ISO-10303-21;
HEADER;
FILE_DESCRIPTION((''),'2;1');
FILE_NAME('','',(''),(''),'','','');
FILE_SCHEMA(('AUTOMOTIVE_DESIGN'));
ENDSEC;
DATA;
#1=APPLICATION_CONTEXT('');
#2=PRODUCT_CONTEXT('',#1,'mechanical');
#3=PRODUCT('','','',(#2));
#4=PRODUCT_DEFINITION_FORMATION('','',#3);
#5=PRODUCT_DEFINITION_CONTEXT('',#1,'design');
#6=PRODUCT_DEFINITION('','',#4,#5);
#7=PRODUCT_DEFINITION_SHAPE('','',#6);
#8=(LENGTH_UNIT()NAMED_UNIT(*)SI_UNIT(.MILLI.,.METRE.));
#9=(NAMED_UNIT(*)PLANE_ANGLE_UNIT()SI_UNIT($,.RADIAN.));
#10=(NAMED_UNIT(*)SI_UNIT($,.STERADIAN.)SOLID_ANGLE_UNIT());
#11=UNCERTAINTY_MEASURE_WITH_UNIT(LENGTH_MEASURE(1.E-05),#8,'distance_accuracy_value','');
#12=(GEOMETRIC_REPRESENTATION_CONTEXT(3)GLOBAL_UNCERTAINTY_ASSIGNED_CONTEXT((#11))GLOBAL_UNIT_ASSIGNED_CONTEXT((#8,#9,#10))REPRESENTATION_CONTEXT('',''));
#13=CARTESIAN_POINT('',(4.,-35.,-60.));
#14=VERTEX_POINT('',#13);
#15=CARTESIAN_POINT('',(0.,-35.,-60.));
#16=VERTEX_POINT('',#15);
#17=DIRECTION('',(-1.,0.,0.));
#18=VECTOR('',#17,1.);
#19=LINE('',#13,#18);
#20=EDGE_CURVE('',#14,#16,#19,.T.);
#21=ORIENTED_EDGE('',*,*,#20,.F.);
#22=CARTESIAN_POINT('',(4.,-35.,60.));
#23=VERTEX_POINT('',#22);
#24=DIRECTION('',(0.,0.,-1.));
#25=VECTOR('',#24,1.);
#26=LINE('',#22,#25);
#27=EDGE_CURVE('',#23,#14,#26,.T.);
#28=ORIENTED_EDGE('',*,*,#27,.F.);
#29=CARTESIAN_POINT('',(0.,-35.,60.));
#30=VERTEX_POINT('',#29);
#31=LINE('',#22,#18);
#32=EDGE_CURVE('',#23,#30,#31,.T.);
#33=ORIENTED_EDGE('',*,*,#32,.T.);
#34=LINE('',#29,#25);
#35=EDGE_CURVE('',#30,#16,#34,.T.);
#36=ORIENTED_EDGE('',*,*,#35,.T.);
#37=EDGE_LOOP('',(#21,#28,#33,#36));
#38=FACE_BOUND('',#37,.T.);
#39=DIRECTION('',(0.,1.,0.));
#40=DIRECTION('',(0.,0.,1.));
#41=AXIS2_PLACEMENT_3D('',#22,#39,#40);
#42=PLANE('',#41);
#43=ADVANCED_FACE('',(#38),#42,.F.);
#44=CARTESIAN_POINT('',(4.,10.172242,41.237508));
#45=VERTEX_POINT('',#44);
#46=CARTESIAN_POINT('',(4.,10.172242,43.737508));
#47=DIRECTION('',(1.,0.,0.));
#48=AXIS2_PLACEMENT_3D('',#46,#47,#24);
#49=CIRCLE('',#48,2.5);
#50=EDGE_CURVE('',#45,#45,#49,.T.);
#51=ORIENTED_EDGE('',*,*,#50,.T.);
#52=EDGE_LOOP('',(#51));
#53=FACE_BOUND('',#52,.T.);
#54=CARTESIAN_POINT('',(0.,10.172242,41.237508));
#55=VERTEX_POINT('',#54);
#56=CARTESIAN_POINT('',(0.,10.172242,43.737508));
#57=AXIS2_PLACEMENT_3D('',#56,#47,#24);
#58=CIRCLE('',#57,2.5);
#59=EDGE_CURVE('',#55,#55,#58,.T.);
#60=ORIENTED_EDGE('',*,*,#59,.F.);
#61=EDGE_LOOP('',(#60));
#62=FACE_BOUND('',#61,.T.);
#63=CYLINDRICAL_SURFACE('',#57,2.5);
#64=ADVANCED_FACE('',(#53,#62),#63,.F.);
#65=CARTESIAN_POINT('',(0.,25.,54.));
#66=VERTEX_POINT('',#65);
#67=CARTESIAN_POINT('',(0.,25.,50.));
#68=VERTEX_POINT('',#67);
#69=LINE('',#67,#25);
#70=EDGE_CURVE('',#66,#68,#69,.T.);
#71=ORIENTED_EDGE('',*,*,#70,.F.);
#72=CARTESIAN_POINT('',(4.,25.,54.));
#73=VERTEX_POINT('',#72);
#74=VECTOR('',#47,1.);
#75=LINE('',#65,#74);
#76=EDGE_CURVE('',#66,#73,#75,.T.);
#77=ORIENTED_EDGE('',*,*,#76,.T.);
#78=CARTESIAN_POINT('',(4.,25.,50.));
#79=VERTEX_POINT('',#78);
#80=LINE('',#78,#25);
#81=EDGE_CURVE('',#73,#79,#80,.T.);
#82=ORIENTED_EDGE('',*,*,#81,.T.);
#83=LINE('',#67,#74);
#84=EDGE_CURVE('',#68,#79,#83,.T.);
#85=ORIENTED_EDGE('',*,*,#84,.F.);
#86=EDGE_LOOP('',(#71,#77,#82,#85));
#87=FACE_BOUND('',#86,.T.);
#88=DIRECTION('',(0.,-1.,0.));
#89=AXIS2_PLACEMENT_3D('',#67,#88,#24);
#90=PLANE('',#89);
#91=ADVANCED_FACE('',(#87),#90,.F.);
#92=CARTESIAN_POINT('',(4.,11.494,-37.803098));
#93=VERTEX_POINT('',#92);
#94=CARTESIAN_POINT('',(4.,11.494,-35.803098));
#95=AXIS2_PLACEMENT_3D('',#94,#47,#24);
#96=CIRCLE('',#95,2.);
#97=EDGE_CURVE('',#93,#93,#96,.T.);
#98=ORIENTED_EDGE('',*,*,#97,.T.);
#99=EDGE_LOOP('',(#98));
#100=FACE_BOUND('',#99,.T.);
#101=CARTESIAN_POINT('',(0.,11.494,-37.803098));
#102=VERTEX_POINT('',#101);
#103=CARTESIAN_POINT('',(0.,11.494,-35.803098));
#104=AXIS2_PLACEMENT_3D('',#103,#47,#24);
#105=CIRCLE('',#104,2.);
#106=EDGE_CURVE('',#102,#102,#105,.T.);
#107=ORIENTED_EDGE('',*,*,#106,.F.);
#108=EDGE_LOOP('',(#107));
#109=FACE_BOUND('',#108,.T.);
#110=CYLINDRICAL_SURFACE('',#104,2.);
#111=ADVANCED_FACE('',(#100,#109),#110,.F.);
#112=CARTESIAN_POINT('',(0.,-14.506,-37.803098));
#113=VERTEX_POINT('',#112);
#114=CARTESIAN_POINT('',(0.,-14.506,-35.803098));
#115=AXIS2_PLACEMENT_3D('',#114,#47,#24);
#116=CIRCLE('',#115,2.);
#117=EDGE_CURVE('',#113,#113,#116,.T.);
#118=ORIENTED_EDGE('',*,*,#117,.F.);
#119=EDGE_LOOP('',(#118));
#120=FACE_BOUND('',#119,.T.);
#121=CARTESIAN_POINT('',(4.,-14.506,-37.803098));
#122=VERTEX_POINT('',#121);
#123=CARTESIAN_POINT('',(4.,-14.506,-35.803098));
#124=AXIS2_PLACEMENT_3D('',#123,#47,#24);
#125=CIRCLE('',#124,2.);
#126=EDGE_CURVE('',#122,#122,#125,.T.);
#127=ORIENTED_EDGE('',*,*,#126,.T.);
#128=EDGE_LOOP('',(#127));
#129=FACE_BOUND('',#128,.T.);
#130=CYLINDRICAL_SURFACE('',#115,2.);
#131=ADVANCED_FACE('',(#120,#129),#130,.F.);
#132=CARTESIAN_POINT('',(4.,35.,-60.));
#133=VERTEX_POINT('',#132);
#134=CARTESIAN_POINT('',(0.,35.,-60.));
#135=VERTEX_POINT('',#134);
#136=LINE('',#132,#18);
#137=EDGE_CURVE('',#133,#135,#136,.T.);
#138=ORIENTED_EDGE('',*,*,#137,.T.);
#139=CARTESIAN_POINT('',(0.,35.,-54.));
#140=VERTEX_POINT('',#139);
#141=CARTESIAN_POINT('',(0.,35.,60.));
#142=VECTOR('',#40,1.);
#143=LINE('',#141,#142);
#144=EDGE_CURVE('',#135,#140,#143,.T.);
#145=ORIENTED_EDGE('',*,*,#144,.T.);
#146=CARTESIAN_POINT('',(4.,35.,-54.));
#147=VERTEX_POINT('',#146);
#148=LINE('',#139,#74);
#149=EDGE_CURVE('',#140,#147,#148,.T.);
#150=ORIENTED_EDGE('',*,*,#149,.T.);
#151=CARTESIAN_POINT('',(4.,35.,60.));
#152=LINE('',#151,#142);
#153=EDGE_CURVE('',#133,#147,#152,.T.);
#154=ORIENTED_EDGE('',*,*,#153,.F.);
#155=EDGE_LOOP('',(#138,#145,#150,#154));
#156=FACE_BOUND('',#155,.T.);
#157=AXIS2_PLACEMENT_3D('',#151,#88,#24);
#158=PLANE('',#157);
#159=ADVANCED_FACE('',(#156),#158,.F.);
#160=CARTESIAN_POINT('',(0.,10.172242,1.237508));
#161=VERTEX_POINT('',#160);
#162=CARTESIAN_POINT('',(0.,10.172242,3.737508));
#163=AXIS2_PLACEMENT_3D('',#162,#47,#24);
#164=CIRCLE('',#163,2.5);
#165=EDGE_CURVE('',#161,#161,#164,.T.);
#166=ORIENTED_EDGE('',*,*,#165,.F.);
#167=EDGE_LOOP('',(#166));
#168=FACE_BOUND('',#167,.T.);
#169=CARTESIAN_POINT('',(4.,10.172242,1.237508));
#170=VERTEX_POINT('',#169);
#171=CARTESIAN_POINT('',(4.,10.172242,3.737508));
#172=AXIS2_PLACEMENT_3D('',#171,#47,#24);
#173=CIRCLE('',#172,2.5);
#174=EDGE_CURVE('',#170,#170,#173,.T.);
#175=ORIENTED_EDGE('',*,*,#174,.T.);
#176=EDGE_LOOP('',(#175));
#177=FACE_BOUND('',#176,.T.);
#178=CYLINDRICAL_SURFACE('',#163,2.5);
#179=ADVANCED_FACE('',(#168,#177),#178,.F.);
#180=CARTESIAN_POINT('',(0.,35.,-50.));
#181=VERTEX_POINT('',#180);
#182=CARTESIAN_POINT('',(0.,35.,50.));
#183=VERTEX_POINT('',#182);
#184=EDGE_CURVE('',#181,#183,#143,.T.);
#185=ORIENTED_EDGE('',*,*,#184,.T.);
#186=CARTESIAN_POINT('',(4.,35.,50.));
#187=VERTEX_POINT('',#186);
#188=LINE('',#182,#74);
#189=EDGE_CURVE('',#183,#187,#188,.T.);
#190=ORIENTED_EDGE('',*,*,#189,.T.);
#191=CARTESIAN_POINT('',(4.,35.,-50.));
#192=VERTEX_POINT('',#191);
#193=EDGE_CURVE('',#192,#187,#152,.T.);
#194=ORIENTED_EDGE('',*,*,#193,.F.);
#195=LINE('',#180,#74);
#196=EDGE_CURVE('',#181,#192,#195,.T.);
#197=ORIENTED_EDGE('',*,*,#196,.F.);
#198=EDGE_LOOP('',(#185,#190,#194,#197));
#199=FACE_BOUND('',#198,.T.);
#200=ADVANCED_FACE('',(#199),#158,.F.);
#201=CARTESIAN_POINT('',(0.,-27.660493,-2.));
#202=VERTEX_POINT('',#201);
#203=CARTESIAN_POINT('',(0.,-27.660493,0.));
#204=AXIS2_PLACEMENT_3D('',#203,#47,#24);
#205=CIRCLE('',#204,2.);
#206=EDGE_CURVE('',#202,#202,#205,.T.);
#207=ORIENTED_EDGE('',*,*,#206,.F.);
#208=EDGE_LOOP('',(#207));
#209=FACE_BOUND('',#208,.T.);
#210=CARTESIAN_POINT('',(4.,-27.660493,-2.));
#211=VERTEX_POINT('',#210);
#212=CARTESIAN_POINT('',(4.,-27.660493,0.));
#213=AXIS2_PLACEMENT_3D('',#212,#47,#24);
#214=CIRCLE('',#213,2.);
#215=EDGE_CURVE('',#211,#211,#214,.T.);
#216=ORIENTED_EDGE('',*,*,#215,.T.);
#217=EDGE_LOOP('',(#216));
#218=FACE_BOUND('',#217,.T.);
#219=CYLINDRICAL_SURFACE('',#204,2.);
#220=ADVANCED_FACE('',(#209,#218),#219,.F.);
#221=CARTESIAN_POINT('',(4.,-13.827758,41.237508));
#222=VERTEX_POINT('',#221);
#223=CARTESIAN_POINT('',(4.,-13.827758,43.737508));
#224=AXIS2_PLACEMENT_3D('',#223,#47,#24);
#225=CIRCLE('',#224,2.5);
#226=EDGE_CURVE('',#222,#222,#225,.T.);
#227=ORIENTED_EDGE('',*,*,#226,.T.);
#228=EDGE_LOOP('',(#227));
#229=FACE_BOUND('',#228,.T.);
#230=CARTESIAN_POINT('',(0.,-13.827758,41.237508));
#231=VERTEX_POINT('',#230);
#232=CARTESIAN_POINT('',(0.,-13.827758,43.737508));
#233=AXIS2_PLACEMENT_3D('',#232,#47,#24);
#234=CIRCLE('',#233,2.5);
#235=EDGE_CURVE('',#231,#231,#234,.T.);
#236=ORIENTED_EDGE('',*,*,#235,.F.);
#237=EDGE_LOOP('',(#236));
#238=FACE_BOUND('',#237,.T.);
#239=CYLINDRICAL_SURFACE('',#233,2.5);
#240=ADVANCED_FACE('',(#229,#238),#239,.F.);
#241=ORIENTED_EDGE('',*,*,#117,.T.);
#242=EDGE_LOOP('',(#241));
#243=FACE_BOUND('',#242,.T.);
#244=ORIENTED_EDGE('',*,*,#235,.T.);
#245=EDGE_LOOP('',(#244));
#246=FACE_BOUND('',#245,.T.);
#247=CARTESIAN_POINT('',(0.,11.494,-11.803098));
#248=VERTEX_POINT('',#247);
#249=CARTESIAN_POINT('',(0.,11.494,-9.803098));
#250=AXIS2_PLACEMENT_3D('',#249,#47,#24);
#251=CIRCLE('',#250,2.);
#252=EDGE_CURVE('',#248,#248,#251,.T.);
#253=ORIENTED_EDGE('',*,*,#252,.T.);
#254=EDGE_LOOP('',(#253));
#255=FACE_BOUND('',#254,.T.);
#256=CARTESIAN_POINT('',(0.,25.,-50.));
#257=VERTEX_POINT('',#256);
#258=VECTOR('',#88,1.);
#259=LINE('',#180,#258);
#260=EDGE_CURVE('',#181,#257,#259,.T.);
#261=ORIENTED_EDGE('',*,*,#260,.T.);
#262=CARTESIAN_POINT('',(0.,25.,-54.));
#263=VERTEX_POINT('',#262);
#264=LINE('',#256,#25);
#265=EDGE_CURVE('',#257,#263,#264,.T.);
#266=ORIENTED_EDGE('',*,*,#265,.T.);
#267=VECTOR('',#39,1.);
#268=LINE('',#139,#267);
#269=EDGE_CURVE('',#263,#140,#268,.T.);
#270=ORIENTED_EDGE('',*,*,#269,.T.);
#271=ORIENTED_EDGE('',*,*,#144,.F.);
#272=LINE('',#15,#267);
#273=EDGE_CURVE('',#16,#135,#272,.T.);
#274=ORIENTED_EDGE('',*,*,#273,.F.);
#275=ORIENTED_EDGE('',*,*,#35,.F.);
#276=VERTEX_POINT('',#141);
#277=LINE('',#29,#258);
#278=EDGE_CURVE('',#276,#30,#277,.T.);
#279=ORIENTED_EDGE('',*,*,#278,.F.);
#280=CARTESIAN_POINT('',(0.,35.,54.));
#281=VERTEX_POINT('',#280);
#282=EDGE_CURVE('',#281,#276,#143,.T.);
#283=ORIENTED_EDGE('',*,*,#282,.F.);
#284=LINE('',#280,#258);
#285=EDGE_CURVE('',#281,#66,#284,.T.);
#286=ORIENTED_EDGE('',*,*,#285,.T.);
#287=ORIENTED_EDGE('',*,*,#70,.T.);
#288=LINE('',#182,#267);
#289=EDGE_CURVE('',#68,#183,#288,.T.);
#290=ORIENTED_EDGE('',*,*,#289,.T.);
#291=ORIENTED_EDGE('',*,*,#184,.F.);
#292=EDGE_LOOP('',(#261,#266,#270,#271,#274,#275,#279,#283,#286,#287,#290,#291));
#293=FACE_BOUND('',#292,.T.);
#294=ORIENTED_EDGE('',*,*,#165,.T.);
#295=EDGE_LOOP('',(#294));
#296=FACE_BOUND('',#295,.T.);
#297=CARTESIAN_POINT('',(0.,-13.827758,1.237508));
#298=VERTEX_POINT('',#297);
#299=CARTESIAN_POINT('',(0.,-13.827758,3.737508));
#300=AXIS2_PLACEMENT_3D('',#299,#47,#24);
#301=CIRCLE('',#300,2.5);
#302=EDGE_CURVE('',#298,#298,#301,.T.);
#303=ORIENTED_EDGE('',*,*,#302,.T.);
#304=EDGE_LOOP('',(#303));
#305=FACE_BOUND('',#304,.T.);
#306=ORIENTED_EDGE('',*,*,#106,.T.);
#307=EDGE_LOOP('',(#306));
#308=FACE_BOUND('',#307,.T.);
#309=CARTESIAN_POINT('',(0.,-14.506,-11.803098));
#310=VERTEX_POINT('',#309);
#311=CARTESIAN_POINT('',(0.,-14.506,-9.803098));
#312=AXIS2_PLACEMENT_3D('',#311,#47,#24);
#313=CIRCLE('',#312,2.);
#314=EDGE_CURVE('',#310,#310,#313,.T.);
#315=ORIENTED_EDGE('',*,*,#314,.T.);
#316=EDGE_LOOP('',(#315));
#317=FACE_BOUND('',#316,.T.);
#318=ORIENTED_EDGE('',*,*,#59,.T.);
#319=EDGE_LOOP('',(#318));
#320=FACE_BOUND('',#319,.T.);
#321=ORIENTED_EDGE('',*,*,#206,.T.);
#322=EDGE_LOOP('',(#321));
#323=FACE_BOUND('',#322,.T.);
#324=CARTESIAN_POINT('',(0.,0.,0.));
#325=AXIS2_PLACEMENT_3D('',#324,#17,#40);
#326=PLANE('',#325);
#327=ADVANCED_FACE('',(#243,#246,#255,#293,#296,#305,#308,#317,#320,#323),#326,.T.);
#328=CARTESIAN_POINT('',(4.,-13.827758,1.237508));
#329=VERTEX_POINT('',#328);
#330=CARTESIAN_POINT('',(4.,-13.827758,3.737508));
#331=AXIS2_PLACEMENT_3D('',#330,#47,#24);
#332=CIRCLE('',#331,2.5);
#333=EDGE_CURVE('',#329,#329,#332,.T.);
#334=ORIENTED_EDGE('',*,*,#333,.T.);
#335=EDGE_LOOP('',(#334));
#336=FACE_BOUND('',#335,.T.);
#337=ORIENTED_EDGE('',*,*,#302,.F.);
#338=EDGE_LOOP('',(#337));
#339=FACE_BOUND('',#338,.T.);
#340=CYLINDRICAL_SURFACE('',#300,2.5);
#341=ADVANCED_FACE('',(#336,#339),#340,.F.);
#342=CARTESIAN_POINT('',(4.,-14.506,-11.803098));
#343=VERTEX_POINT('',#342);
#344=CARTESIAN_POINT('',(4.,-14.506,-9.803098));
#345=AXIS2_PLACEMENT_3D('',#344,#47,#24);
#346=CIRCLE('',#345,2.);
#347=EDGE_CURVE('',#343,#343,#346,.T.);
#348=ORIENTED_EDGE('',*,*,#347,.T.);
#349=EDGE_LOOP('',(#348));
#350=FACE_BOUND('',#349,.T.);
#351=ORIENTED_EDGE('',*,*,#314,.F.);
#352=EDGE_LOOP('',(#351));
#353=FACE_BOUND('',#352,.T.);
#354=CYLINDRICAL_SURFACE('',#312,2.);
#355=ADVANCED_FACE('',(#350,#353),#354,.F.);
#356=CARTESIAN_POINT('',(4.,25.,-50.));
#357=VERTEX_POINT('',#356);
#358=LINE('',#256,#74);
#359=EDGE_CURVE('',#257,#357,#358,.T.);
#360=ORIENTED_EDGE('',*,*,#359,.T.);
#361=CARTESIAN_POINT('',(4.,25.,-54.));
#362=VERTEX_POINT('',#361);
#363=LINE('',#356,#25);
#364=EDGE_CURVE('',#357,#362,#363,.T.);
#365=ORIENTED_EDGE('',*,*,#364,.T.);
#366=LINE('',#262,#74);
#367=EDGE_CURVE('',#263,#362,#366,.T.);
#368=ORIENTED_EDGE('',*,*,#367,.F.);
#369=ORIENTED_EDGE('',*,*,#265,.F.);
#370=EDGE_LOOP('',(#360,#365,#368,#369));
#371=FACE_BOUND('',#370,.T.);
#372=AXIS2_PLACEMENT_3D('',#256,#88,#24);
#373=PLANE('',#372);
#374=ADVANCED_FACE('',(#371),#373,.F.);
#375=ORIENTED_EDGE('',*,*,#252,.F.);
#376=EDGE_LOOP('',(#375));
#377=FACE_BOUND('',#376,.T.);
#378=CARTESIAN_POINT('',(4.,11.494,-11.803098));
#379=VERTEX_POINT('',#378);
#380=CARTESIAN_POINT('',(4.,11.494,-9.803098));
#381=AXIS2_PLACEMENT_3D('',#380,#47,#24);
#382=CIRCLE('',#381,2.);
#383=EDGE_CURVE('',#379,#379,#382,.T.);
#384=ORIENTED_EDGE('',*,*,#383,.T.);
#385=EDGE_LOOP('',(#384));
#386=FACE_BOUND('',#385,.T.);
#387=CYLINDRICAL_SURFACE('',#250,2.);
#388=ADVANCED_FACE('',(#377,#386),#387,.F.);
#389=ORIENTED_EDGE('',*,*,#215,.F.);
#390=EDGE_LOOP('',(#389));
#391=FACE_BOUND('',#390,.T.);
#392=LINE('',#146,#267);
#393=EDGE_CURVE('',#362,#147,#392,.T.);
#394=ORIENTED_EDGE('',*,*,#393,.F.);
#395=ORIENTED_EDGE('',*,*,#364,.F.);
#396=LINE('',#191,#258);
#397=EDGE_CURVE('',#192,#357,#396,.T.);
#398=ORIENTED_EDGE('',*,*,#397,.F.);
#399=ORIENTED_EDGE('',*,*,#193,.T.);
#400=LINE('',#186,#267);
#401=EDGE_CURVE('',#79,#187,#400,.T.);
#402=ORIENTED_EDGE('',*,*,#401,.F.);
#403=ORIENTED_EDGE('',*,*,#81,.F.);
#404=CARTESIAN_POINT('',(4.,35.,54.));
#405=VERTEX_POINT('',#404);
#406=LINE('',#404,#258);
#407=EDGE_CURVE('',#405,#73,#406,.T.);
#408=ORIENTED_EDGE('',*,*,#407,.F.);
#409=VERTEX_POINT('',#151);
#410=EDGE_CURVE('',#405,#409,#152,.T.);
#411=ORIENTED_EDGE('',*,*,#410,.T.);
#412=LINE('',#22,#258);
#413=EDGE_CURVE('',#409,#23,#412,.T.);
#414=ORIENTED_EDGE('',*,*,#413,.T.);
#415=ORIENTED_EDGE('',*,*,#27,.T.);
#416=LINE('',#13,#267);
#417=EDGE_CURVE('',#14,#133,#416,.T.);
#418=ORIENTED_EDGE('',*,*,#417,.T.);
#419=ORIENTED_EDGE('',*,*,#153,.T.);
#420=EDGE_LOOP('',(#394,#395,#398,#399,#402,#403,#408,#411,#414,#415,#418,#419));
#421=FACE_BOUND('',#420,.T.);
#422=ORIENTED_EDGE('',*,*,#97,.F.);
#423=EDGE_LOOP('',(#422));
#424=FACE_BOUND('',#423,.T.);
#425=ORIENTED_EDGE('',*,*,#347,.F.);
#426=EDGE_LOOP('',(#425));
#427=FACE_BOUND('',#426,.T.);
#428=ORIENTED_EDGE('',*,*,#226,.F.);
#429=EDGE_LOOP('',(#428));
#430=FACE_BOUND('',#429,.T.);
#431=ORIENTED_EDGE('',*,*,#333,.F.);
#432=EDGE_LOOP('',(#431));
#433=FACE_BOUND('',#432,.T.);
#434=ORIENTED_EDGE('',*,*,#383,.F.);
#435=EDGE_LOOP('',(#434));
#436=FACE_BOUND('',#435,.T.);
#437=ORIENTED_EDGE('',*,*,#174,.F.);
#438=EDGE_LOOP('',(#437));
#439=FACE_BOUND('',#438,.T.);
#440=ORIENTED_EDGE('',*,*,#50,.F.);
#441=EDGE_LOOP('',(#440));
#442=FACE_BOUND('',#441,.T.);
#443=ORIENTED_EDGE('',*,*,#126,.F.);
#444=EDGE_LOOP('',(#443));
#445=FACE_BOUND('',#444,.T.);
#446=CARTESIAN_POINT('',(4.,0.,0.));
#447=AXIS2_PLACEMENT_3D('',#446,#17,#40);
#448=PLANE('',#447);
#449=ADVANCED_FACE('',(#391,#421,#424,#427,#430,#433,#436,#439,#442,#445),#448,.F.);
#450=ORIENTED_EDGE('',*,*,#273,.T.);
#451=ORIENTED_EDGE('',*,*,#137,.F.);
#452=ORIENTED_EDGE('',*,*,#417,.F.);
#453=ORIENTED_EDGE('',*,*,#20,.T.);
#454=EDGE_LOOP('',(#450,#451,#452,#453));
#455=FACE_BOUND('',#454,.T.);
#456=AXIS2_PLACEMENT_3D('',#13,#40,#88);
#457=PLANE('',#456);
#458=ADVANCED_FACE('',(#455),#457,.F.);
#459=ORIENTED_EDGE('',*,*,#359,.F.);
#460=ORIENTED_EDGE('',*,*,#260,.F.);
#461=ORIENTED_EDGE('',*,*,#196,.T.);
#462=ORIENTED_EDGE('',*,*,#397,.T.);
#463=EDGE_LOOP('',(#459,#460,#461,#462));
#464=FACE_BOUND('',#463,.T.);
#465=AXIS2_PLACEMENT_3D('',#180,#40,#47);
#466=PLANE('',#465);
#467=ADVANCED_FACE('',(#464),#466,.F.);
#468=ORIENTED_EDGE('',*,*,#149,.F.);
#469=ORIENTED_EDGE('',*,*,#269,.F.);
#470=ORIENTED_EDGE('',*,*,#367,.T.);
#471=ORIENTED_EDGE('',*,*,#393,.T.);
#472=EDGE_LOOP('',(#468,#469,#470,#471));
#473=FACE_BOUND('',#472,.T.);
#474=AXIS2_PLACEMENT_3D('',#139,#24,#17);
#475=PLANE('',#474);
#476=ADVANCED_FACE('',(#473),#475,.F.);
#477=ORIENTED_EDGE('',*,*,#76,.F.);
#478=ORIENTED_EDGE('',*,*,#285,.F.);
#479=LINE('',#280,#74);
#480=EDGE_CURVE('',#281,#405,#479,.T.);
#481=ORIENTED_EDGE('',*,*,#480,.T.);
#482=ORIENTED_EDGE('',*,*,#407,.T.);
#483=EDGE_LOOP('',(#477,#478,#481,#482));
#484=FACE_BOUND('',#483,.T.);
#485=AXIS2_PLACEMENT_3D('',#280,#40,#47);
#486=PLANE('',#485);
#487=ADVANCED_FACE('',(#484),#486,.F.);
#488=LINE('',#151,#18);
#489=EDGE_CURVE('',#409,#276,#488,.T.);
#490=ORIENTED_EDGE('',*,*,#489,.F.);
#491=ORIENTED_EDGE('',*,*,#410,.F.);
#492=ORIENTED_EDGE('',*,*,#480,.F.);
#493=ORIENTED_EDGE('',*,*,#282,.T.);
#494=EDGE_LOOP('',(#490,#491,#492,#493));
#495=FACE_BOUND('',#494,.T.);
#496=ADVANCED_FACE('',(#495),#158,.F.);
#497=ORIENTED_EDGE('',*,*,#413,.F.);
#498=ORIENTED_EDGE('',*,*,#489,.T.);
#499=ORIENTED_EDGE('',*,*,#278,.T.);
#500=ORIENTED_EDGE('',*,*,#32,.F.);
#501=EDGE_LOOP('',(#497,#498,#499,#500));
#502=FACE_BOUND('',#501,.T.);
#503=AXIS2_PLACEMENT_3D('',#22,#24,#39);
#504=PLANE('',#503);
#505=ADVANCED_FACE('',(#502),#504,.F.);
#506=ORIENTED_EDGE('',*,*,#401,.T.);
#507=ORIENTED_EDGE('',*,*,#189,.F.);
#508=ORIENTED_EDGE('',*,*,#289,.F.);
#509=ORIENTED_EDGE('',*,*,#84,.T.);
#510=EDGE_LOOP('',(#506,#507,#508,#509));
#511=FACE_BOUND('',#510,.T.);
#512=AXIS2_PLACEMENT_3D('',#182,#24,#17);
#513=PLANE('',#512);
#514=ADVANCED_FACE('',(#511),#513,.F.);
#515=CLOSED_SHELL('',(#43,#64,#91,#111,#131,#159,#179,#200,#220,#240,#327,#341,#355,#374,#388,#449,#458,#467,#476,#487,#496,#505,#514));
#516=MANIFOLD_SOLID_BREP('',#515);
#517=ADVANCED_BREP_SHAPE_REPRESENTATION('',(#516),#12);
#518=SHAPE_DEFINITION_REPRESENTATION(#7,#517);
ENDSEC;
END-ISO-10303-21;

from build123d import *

# Parameters (mm, degrees)
SKETCH_1_W          = 120
SKETCH_1_H          = 70
EXTRUDE_1_DEPTH     = 4
SKETCH_2_R          = 2
SKETCH_2_W          = 4
SKETCH_2_H          = 10
CUT_EXTRUDE_1_DEPTH = 5
SKETCH_3_R          = 2.5
SKETCH_3_R_2        = 2
CUT_EXTRUDE_2_DEPTH = 5


with BuildPart() as part:
    # Эскиз1 → Бобышка-Вытянуть1 (new body)
    with BuildSketch(Plane(origin=(0, 0, 0), x_dir=(0, 0, -1), z_dir=(1, 0, 0))):
        Rectangle(SKETCH_1_W, SKETCH_1_H)
    extrude(amount=EXTRUDE_1_DEPTH)

    # Эскиз2 → Вырез-Вытянуть1 (cut, through all)
    with BuildSketch(Plane(origin=(4, 0, 0), x_dir=(0, 0, -1), z_dir=(1, 0, 0))):
        with Locations((0, -27.660492885)):
            Circle(SKETCH_2_R)
        with Locations((-52, 30)):
            Rectangle(SKETCH_2_W, SKETCH_2_H)
        with Locations((52, 30)):
            Rectangle(SKETCH_2_W, SKETCH_2_H)
    extrude(amount=-CUT_EXTRUDE_1_DEPTH, mode=Mode.SUBTRACT)

    # Эскиз3 → Вырез-Вытянуть2 (cut, through all)
    with BuildSketch(Plane(origin=(4, 0, 0), x_dir=(0, 0, -1), z_dir=(1, 0, 0))):
        with Locations((-43.737507579, 10.172241739)):
            Circle(SKETCH_3_R)
        with Locations((-43.737507579, -13.827758261)):
            Circle(SKETCH_3_R)
        with Locations((-3.737507579, -13.827758261)):
            Circle(SKETCH_3_R)
        with Locations((-3.737507579, 10.172241739)):
            Circle(SKETCH_3_R)
        with Locations((9.8030981, 11.493999532)):
            Circle(SKETCH_3_R_2)
        with Locations((35.8030981, 11.493999532)):
            Circle(SKETCH_3_R_2)
        with Locations((35.8030981, -14.506000468)):
            Circle(SKETCH_3_R_2)
        with Locations((9.8030981, -14.506000468)):
            Circle(SKETCH_3_R_2)
    extrude(amount=-CUT_EXTRUDE_2_DEPTH, mode=Mode.SUBTRACT)


solid = part.part
